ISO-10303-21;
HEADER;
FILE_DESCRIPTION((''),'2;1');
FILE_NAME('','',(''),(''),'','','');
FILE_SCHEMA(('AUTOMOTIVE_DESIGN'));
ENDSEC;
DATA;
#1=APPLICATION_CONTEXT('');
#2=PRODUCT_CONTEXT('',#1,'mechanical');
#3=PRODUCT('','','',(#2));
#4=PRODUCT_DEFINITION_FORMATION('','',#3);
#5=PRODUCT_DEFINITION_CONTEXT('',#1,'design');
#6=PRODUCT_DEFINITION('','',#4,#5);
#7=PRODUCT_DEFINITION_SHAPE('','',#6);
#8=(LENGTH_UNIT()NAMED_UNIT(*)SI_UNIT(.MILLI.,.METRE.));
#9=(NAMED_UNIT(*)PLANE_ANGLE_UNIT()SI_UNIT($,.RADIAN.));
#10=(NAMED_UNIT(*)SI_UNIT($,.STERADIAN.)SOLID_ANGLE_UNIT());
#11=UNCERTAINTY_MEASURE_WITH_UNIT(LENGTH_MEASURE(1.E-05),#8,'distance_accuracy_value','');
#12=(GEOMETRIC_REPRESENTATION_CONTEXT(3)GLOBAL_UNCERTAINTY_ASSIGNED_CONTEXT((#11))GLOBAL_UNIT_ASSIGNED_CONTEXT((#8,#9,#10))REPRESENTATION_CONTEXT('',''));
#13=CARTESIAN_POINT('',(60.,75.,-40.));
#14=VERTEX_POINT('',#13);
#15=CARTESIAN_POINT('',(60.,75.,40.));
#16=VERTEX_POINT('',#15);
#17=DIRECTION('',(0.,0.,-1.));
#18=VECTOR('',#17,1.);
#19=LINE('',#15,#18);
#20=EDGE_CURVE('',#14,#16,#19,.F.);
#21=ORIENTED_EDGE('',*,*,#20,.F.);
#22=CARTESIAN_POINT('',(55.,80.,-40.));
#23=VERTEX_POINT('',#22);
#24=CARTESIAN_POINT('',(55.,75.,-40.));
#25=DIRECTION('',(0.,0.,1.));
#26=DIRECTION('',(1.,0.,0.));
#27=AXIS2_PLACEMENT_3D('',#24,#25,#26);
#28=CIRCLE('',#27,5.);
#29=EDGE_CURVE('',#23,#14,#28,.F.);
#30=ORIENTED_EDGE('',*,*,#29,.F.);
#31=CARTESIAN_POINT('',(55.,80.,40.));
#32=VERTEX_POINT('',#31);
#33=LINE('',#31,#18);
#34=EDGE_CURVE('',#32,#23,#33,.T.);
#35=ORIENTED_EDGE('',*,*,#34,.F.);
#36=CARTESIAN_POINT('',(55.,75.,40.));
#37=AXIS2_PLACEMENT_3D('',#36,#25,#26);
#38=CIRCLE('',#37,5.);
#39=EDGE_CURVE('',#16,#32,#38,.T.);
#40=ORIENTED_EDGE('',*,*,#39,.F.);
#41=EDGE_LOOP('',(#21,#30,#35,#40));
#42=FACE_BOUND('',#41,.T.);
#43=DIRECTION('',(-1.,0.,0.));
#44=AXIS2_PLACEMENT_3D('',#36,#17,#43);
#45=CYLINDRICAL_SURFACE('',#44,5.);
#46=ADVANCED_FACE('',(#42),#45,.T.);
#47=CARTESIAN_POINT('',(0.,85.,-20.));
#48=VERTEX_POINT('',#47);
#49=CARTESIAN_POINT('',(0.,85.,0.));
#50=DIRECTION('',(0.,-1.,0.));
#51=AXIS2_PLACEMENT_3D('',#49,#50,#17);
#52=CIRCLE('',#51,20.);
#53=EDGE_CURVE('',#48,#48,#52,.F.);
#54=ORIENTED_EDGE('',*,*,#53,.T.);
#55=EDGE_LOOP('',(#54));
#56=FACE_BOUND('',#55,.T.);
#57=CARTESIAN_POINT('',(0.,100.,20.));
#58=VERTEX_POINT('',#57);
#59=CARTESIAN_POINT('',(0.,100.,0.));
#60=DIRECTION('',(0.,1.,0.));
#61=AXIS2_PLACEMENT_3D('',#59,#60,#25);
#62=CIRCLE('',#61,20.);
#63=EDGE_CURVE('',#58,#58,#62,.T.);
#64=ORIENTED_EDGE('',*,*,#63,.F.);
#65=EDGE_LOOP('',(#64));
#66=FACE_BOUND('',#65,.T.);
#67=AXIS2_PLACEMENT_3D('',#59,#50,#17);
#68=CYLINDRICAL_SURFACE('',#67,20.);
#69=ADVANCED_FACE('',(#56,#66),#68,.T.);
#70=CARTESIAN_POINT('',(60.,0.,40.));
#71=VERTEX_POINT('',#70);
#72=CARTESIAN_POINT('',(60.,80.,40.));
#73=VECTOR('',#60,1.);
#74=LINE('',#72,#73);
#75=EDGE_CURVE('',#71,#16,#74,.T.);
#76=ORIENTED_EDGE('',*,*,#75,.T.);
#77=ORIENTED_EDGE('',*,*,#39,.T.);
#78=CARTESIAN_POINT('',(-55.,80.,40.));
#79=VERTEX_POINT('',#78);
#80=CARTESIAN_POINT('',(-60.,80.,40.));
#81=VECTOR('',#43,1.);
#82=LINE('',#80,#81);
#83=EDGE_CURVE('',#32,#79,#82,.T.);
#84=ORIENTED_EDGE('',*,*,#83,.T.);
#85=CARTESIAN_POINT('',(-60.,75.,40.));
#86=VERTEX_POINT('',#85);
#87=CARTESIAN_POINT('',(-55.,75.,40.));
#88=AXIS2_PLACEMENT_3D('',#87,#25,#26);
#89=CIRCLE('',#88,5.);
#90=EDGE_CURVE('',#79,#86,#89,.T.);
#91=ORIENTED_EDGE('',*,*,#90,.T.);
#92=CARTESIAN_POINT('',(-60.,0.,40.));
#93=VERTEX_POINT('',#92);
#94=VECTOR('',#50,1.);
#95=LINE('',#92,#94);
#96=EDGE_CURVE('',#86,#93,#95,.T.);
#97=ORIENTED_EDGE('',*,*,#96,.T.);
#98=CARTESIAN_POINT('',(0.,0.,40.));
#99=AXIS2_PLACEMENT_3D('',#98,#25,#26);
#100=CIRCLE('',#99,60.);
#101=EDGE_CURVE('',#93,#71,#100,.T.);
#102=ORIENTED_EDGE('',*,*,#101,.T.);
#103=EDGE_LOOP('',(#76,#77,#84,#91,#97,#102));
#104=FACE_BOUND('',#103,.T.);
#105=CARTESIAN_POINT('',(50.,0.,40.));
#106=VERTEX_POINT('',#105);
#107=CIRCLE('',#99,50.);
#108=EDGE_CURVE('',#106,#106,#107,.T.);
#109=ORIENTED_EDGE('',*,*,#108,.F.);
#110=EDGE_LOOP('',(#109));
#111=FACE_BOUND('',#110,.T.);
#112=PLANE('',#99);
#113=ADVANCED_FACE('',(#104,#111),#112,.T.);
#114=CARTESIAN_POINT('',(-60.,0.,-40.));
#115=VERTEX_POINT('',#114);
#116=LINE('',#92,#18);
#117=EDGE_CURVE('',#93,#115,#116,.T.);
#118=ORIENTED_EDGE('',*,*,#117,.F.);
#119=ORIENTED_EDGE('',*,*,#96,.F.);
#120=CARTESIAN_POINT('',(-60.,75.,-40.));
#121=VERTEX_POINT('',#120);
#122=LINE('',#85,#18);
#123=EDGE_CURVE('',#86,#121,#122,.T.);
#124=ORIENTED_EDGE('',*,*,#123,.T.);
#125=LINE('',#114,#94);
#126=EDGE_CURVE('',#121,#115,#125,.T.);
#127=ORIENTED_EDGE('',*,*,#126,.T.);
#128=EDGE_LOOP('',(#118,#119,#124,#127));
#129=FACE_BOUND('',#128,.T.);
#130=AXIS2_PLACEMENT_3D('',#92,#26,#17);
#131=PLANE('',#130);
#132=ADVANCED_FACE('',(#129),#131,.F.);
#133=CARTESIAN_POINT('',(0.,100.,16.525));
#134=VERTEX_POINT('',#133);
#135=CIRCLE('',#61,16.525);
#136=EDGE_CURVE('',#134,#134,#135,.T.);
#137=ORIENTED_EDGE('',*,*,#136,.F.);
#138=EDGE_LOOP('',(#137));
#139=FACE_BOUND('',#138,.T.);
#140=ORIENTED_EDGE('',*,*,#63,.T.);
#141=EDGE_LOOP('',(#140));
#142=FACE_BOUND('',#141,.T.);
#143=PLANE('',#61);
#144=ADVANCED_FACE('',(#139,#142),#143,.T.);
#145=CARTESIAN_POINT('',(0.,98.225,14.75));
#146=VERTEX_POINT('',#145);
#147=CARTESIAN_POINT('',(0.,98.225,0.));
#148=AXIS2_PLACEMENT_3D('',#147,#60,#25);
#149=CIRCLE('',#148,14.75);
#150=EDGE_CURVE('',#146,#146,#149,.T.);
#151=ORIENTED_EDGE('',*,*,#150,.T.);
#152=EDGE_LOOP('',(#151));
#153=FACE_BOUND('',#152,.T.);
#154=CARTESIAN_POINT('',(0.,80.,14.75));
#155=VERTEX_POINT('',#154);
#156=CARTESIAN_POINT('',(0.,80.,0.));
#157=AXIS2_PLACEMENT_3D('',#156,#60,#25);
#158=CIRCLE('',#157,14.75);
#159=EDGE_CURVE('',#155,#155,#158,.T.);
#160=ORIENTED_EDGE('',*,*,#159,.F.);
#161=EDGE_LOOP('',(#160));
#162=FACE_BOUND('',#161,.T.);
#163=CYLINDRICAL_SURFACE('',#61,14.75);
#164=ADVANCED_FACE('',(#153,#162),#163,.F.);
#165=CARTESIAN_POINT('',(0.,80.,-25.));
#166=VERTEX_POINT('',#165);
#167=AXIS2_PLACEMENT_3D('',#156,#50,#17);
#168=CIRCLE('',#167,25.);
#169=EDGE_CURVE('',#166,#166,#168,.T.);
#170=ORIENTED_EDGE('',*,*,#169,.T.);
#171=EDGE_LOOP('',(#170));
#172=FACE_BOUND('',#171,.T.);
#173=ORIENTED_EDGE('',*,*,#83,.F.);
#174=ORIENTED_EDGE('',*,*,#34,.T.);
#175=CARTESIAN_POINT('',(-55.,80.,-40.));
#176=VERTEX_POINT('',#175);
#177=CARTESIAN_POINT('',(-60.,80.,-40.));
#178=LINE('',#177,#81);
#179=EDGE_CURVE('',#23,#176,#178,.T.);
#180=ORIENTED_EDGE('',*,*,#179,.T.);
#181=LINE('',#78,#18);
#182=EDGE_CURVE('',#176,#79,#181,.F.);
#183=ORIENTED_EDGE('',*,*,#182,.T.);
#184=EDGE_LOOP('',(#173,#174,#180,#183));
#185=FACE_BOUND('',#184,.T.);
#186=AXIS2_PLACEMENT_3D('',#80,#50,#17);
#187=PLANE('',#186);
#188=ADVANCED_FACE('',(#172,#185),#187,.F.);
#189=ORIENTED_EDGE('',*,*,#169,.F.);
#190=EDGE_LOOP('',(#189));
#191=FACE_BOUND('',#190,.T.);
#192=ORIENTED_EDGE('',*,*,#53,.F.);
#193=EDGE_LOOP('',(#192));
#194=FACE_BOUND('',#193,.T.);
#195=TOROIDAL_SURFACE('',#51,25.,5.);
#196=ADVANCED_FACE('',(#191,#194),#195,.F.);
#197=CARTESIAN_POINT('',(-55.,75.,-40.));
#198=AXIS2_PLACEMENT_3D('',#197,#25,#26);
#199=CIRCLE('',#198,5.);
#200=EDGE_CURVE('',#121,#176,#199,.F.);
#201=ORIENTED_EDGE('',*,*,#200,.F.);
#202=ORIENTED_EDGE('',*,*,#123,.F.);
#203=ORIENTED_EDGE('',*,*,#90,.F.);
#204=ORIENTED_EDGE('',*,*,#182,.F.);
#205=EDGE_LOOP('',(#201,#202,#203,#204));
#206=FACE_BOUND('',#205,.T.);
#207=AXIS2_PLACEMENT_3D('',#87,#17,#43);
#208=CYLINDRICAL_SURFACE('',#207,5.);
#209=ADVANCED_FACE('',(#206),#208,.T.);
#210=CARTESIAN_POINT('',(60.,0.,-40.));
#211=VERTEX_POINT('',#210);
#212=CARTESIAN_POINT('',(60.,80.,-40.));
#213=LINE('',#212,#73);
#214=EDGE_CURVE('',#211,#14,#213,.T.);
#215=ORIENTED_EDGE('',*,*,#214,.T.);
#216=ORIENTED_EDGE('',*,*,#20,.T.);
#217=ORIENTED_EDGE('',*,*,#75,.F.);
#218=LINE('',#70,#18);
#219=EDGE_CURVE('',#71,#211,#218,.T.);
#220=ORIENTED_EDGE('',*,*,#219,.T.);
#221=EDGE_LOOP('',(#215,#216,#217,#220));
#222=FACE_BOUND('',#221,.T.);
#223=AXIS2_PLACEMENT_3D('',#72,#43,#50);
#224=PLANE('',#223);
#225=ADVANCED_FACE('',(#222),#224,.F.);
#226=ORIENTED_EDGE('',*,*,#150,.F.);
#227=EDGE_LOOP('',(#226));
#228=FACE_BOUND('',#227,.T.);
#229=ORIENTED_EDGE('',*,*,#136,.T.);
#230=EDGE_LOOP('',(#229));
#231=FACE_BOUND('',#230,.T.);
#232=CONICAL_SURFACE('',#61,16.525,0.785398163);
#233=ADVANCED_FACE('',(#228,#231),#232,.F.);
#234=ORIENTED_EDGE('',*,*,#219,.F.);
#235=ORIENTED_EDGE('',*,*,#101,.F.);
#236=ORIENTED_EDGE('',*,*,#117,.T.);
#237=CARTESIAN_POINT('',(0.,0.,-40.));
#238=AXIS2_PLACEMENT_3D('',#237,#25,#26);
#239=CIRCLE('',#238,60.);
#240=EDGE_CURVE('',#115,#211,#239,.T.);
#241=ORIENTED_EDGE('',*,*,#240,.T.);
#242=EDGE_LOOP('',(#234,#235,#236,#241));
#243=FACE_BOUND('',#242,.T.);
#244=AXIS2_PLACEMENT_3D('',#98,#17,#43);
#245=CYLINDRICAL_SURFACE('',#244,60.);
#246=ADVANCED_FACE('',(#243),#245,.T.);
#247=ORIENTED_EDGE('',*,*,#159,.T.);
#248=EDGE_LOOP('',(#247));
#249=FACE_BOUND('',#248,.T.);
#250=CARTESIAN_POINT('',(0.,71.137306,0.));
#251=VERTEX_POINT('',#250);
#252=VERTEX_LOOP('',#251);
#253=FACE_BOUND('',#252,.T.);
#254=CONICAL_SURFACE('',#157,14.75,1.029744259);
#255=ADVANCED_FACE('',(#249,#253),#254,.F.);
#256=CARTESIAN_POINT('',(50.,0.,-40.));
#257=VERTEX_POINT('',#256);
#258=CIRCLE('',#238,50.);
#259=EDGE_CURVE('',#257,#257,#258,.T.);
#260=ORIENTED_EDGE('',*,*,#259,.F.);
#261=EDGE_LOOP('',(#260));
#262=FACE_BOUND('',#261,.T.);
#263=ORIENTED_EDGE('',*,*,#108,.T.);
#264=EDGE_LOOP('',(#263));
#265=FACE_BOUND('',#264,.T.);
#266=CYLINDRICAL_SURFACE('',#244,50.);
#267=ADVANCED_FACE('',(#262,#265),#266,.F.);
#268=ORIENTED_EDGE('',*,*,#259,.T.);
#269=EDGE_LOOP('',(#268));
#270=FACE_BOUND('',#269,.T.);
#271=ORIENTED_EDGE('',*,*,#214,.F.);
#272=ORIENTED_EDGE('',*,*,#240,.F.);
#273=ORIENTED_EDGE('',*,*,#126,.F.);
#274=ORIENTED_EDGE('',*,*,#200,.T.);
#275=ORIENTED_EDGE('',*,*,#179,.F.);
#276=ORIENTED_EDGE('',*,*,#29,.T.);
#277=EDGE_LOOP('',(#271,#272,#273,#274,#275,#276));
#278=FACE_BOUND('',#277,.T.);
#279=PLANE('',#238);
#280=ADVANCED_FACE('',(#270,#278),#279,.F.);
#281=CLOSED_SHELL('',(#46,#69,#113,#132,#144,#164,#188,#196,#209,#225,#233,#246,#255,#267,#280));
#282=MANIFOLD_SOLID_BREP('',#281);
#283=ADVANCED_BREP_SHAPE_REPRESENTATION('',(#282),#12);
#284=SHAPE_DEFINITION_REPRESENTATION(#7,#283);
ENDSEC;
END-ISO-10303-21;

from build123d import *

# Parameters (mm, degrees)
SKETCH1_R                    = 50
BOSS_EXTRUDE1_DEPTH          = 40
FILLET1_R                    = 5
SKETCH2_R                    = 20
BOSS_EXTRUDE2_DEPTH          = 20
M33_TAPPED_HOLE1_D           = 29.5
M33_TAPPED_HOLE1_DEPTH       = 20
M33_TAPPED_HOLE1_CSINK_D     = 33.05
M33_TAPPED_HOLE1_CSINK_ANGLE = 90
M33_TAPPED_HOLE1_TIP         = 8.862694131
FILLET2_R                    = 5


with BuildPart() as part:
    # Sketch1 → Boss-Extrude1 (new, symmetric)
    with BuildSketch(Plane.XY):
        with BuildLine():
            Line((-60, 0), (-60, 80))
            Line((-60, 80), (60, 80))
            Line((60, 80), (60, 0))
            ThreePointArc((60, 0), (0, -60), (-60, 0))
        make_face()
        Circle(SKETCH1_R, mode=Mode.SUBTRACT)
    extrude(amount=BOSS_EXTRUDE1_DEPTH, both=True)

    # Fillet1
    fillet1_edges = [part.edges().sort_by_distance(p)[0] for p in [
        (-60, 80, 0),
        (60, 80, 0),
    ]]
    fillet(fillet1_edges, radius=FILLET1_R)

    # Sketch2 → Boss-Extrude2 (add)
    with BuildSketch(Plane(origin=(0, 80, 0), x_dir=(1, 0, 0), z_dir=(0, 1, 0))):
        with Locations(Location((0, 0, 0), (0, 0, 90))):
            Circle(SKETCH2_R)
    extrude(amount=BOSS_EXTRUDE2_DEPTH)

    # M33 Tapped Hole1
    with Locations(Plane.ZX.offset(100)):
        with Locations((0, 0)):
            CounterSinkHole(M33_TAPPED_HOLE1_D / 2, M33_TAPPED_HOLE1_CSINK_D / 2, depth=M33_TAPPED_HOLE1_DEPTH, counter_sink_angle=M33_TAPPED_HOLE1_CSINK_ANGLE)
            with Locations((0, 0, -(M33_TAPPED_HOLE1_DEPTH + M33_TAPPED_HOLE1_TIP / 2))):  # 118° drill point
                Cone(0, M33_TAPPED_HOLE1_D / 2, M33_TAPPED_HOLE1_TIP, mode=Mode.SUBTRACT)

    # Fillet2
    fillet2_edges = [part.edges().sort_by_distance(p)[0] for p in [
        (0, 80, 20),
    ]]
    fillet(fillet2_edges, radius=FILLET2_R)


solid = part.part
